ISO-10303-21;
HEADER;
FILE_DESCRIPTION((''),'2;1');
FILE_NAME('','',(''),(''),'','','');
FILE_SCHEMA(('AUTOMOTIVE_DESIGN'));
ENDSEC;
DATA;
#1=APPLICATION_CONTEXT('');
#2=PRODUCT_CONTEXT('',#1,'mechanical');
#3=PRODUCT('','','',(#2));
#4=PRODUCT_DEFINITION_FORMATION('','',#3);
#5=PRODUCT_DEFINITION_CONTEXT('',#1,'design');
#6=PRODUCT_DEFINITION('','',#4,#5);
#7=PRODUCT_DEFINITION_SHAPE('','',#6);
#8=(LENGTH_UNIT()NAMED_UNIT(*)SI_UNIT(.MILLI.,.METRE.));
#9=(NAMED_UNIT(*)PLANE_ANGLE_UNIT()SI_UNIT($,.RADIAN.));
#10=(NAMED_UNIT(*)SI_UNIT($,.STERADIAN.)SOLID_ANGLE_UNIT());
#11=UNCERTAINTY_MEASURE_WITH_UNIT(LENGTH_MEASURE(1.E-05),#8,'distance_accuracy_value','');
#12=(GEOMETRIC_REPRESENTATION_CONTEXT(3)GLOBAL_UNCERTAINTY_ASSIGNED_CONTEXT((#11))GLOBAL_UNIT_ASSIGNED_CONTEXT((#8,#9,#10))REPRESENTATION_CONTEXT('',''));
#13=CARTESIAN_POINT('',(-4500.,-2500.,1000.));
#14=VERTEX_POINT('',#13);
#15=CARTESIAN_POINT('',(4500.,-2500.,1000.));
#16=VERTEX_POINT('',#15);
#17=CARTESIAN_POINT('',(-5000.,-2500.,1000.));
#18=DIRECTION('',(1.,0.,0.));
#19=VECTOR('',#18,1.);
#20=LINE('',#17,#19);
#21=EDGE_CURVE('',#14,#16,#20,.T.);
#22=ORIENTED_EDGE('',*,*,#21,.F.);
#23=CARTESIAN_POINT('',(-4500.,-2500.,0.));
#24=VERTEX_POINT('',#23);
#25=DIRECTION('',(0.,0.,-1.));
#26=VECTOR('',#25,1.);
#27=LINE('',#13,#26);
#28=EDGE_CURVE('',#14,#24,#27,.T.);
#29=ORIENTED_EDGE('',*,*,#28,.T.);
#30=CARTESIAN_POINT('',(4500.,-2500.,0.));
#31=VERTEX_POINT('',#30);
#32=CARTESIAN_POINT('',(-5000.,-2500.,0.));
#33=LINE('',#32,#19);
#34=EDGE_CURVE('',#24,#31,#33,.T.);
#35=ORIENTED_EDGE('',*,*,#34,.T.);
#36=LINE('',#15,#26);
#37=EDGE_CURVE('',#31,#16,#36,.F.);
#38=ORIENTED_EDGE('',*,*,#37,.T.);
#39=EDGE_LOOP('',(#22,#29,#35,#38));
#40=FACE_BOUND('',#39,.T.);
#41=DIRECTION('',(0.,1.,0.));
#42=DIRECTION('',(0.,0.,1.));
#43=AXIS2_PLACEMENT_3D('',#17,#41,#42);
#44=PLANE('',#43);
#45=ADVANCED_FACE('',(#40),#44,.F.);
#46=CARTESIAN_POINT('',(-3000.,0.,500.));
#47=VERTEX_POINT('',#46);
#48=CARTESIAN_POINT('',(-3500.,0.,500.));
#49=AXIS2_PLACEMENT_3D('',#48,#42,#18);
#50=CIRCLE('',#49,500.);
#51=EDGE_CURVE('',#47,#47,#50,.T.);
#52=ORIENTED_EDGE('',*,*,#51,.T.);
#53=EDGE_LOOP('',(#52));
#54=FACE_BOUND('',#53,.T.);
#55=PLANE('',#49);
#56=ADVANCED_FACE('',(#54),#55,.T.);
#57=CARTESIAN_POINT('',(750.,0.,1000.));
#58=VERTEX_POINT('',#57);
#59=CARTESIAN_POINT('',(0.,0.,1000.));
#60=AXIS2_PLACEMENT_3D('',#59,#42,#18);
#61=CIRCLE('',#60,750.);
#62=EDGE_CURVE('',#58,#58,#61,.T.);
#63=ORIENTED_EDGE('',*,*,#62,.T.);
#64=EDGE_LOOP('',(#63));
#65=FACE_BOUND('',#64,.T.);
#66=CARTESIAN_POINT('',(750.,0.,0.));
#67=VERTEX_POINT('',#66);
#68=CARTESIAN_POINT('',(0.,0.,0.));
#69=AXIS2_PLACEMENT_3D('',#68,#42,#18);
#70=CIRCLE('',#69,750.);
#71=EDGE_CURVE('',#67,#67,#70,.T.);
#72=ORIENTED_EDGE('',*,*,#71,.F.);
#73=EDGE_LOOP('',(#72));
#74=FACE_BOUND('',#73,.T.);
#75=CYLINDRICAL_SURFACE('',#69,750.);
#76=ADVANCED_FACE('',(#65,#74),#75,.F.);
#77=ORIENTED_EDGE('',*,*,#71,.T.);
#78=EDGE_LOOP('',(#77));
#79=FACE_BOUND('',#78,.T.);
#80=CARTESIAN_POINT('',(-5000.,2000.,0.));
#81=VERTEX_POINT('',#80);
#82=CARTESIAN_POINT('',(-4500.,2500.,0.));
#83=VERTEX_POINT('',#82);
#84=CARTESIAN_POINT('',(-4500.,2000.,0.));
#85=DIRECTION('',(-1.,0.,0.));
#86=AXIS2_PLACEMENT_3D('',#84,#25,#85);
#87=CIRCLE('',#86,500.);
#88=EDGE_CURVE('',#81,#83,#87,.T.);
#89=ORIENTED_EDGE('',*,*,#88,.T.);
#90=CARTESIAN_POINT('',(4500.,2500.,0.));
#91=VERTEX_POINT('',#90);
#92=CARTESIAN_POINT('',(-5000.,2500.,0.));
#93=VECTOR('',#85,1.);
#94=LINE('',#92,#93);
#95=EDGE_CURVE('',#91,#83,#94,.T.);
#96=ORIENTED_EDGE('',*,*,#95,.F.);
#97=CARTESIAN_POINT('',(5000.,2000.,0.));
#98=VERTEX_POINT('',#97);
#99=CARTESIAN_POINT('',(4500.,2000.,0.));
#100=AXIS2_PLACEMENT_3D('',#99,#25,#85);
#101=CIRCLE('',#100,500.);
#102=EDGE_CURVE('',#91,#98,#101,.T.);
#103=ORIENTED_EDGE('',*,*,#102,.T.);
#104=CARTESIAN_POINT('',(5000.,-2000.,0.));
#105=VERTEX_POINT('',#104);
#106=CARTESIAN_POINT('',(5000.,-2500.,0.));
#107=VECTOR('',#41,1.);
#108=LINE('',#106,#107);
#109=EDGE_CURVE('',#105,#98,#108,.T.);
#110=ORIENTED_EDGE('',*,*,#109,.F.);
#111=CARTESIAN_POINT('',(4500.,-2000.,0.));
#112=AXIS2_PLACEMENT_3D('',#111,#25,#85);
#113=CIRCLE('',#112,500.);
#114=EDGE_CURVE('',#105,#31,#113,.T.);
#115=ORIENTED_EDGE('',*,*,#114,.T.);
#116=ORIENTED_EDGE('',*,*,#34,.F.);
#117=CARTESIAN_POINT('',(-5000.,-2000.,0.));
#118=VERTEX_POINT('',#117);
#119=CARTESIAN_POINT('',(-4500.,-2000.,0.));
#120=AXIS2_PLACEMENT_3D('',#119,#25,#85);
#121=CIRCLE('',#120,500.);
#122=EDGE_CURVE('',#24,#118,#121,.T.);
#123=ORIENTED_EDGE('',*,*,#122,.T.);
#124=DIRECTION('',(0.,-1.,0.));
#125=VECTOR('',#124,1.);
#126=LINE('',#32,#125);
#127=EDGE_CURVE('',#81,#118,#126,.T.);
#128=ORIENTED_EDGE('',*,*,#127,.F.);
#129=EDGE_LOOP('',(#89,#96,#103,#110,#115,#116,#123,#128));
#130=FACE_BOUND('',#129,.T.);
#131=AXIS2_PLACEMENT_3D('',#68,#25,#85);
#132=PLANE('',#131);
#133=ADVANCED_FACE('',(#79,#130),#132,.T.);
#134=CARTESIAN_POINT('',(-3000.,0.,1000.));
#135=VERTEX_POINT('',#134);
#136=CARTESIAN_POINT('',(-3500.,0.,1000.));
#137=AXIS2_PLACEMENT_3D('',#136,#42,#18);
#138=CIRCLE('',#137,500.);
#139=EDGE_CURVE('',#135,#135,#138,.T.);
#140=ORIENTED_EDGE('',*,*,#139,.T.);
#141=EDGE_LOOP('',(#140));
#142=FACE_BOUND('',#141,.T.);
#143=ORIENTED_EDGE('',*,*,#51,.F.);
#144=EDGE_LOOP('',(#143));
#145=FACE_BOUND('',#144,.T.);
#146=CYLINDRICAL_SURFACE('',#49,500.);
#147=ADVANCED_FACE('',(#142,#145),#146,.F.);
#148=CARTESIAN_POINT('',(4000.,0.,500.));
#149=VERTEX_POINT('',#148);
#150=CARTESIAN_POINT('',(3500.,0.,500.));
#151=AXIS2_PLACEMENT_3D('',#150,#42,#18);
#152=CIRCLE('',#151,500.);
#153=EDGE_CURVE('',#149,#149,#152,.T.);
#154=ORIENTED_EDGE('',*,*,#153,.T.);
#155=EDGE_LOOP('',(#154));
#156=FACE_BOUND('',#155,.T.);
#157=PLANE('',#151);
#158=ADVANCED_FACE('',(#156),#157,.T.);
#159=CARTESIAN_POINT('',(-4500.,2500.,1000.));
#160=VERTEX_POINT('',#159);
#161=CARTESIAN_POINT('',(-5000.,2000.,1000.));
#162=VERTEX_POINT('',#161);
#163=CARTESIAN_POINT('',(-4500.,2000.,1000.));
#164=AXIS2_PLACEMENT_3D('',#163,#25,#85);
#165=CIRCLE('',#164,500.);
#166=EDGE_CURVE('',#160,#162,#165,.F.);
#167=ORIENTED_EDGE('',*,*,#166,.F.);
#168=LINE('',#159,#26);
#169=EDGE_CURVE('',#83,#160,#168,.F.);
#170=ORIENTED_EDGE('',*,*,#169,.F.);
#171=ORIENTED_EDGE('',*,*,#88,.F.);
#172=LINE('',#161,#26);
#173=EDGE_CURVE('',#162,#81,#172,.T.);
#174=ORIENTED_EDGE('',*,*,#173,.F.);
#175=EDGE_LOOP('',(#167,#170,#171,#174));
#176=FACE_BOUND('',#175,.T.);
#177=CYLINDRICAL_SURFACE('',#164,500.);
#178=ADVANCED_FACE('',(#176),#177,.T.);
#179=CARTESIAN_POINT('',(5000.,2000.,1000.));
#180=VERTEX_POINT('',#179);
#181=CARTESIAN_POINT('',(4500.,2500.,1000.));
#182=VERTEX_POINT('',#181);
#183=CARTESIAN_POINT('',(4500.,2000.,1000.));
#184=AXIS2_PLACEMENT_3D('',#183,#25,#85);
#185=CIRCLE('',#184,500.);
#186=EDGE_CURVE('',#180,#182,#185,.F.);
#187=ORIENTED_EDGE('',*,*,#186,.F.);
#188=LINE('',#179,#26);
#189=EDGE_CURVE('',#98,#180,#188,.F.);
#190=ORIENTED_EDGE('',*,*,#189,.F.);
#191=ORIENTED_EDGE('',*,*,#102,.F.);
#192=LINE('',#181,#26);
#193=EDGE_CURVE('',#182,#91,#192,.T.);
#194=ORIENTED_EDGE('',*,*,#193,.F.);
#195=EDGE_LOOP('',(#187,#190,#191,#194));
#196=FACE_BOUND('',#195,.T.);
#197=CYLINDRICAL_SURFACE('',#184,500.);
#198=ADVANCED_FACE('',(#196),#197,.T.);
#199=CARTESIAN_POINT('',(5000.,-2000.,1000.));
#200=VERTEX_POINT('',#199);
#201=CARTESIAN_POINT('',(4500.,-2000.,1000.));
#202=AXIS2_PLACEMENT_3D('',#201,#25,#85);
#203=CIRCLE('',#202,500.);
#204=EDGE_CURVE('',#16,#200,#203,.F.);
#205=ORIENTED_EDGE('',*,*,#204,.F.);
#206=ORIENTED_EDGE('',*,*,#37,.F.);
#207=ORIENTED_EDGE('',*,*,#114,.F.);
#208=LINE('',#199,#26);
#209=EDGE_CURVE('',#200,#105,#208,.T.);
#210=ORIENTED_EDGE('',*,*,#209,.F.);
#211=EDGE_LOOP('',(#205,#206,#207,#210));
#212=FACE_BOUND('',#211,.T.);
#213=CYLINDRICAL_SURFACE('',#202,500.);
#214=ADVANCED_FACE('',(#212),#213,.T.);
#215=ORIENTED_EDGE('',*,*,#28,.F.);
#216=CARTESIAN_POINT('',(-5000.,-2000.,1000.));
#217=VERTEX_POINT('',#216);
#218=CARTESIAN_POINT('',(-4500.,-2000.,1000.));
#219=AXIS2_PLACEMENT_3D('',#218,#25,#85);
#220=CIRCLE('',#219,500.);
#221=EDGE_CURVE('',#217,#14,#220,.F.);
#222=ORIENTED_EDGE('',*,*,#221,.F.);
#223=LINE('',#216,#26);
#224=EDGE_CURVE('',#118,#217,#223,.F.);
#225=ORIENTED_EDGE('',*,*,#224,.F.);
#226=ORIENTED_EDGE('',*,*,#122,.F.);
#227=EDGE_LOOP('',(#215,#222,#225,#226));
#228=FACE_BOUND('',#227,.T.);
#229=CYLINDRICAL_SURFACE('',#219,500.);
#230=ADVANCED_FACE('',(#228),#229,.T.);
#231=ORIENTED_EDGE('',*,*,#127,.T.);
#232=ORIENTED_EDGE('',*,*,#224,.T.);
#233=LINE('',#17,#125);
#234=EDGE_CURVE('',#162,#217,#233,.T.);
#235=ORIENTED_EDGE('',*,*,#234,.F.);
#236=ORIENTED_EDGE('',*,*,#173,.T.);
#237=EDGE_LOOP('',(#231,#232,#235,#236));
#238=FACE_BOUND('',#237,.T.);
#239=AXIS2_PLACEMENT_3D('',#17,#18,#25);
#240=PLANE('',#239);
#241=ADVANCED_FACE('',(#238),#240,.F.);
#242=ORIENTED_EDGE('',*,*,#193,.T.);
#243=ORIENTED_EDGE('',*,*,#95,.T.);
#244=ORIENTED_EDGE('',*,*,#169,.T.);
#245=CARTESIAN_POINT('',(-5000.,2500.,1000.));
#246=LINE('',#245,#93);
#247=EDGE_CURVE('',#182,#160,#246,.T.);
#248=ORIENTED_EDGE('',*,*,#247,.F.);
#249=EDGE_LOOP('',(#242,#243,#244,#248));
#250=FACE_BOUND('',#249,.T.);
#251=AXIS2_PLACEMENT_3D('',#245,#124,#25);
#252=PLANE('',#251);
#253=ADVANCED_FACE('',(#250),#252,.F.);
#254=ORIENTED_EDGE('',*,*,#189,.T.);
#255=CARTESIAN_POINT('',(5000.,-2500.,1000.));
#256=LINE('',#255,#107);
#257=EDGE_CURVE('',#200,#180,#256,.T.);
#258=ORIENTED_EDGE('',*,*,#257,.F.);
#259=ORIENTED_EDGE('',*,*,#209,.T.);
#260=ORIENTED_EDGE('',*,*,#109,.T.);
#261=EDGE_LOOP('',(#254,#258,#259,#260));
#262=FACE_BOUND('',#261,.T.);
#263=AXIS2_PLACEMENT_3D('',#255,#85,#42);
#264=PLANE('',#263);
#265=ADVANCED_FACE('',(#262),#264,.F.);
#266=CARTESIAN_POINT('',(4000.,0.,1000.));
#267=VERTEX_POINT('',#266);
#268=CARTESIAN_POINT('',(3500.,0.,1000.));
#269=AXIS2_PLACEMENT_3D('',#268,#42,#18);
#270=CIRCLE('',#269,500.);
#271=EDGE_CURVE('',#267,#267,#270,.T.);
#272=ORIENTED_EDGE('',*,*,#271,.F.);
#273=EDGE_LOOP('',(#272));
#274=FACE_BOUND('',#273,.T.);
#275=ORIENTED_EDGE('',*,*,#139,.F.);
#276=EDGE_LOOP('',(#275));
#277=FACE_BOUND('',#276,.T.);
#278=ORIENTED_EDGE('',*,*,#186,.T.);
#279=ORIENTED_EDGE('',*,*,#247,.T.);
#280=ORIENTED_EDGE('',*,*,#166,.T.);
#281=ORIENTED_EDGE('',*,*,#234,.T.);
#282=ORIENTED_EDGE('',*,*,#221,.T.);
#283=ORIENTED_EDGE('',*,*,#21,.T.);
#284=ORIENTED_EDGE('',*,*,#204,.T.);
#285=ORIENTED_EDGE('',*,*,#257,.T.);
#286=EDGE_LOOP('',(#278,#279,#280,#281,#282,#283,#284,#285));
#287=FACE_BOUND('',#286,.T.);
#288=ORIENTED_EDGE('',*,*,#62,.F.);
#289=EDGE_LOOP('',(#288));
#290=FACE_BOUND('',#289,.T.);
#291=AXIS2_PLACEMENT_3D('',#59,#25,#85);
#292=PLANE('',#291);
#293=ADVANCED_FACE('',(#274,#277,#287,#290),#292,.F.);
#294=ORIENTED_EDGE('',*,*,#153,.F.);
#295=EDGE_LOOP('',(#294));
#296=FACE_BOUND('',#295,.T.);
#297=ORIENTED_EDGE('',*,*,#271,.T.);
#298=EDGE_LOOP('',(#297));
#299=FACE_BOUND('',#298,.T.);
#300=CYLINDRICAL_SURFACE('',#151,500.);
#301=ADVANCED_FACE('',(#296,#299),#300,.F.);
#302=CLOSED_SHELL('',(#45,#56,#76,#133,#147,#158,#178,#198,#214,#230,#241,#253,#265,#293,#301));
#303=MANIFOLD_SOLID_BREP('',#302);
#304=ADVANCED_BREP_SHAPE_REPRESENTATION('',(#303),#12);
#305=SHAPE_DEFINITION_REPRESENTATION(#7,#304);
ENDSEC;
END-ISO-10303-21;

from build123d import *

# Parameters (mm, degrees)
SKETCH1_W           = 10000
SKETCH1_H           = 5000
BOSS_EXTRUDE1_DEPTH = 1000
FILLET1_R           = 500
FILLET2_R           = 500
SKETCH2_R           = 500
CUT_EXTRUDE1_DEPTH  = 500
SKETCH3_R           = 750
CUT_EXTRUDE2_DEPTH  = 5679.9083458


with BuildPart() as part:
    # Sketch1 → Boss-Extrude1 (new body)
    with BuildSketch(Plane.XY):
        Rectangle(SKETCH1_W, SKETCH1_H)
    extrude(amount=BOSS_EXTRUDE1_DEPTH)

    # Fillet1
    fillet1_edges = [part.edges().sort_by_distance(p)[0] for p in [
        (-5000, 2500, 500),
    ]]
    fillet(fillet1_edges, radius=FILLET1_R)

    # Fillet2
    fillet2_edges = [part.edges().sort_by_distance(p)[0] for p in [
        (5000, -2500, 500),
        (-5000, -2500, 500),
        (5000, 2500, 500),
    ]]
    fillet(fillet2_edges, radius=FILLET2_R)

    # Sketch2 → Cut-Extrude1 (cut)
    with BuildSketch(Plane.XY.offset(1000)):
        with Locations((-3500, 0)):
            Circle(SKETCH2_R)
        with Locations((3500, 0)):
            Circle(SKETCH2_R)
    extrude(amount=-CUT_EXTRUDE1_DEPTH, mode=Mode.SUBTRACT)

    # Sketch3 → Cut-Extrude2 (cut, through all)
    with BuildSketch(Plane.XY.offset(1000)):
        Circle(SKETCH3_R)
    extrude(amount=-CUT_EXTRUDE2_DEPTH, mode=Mode.SUBTRACT)


solid = part.part
